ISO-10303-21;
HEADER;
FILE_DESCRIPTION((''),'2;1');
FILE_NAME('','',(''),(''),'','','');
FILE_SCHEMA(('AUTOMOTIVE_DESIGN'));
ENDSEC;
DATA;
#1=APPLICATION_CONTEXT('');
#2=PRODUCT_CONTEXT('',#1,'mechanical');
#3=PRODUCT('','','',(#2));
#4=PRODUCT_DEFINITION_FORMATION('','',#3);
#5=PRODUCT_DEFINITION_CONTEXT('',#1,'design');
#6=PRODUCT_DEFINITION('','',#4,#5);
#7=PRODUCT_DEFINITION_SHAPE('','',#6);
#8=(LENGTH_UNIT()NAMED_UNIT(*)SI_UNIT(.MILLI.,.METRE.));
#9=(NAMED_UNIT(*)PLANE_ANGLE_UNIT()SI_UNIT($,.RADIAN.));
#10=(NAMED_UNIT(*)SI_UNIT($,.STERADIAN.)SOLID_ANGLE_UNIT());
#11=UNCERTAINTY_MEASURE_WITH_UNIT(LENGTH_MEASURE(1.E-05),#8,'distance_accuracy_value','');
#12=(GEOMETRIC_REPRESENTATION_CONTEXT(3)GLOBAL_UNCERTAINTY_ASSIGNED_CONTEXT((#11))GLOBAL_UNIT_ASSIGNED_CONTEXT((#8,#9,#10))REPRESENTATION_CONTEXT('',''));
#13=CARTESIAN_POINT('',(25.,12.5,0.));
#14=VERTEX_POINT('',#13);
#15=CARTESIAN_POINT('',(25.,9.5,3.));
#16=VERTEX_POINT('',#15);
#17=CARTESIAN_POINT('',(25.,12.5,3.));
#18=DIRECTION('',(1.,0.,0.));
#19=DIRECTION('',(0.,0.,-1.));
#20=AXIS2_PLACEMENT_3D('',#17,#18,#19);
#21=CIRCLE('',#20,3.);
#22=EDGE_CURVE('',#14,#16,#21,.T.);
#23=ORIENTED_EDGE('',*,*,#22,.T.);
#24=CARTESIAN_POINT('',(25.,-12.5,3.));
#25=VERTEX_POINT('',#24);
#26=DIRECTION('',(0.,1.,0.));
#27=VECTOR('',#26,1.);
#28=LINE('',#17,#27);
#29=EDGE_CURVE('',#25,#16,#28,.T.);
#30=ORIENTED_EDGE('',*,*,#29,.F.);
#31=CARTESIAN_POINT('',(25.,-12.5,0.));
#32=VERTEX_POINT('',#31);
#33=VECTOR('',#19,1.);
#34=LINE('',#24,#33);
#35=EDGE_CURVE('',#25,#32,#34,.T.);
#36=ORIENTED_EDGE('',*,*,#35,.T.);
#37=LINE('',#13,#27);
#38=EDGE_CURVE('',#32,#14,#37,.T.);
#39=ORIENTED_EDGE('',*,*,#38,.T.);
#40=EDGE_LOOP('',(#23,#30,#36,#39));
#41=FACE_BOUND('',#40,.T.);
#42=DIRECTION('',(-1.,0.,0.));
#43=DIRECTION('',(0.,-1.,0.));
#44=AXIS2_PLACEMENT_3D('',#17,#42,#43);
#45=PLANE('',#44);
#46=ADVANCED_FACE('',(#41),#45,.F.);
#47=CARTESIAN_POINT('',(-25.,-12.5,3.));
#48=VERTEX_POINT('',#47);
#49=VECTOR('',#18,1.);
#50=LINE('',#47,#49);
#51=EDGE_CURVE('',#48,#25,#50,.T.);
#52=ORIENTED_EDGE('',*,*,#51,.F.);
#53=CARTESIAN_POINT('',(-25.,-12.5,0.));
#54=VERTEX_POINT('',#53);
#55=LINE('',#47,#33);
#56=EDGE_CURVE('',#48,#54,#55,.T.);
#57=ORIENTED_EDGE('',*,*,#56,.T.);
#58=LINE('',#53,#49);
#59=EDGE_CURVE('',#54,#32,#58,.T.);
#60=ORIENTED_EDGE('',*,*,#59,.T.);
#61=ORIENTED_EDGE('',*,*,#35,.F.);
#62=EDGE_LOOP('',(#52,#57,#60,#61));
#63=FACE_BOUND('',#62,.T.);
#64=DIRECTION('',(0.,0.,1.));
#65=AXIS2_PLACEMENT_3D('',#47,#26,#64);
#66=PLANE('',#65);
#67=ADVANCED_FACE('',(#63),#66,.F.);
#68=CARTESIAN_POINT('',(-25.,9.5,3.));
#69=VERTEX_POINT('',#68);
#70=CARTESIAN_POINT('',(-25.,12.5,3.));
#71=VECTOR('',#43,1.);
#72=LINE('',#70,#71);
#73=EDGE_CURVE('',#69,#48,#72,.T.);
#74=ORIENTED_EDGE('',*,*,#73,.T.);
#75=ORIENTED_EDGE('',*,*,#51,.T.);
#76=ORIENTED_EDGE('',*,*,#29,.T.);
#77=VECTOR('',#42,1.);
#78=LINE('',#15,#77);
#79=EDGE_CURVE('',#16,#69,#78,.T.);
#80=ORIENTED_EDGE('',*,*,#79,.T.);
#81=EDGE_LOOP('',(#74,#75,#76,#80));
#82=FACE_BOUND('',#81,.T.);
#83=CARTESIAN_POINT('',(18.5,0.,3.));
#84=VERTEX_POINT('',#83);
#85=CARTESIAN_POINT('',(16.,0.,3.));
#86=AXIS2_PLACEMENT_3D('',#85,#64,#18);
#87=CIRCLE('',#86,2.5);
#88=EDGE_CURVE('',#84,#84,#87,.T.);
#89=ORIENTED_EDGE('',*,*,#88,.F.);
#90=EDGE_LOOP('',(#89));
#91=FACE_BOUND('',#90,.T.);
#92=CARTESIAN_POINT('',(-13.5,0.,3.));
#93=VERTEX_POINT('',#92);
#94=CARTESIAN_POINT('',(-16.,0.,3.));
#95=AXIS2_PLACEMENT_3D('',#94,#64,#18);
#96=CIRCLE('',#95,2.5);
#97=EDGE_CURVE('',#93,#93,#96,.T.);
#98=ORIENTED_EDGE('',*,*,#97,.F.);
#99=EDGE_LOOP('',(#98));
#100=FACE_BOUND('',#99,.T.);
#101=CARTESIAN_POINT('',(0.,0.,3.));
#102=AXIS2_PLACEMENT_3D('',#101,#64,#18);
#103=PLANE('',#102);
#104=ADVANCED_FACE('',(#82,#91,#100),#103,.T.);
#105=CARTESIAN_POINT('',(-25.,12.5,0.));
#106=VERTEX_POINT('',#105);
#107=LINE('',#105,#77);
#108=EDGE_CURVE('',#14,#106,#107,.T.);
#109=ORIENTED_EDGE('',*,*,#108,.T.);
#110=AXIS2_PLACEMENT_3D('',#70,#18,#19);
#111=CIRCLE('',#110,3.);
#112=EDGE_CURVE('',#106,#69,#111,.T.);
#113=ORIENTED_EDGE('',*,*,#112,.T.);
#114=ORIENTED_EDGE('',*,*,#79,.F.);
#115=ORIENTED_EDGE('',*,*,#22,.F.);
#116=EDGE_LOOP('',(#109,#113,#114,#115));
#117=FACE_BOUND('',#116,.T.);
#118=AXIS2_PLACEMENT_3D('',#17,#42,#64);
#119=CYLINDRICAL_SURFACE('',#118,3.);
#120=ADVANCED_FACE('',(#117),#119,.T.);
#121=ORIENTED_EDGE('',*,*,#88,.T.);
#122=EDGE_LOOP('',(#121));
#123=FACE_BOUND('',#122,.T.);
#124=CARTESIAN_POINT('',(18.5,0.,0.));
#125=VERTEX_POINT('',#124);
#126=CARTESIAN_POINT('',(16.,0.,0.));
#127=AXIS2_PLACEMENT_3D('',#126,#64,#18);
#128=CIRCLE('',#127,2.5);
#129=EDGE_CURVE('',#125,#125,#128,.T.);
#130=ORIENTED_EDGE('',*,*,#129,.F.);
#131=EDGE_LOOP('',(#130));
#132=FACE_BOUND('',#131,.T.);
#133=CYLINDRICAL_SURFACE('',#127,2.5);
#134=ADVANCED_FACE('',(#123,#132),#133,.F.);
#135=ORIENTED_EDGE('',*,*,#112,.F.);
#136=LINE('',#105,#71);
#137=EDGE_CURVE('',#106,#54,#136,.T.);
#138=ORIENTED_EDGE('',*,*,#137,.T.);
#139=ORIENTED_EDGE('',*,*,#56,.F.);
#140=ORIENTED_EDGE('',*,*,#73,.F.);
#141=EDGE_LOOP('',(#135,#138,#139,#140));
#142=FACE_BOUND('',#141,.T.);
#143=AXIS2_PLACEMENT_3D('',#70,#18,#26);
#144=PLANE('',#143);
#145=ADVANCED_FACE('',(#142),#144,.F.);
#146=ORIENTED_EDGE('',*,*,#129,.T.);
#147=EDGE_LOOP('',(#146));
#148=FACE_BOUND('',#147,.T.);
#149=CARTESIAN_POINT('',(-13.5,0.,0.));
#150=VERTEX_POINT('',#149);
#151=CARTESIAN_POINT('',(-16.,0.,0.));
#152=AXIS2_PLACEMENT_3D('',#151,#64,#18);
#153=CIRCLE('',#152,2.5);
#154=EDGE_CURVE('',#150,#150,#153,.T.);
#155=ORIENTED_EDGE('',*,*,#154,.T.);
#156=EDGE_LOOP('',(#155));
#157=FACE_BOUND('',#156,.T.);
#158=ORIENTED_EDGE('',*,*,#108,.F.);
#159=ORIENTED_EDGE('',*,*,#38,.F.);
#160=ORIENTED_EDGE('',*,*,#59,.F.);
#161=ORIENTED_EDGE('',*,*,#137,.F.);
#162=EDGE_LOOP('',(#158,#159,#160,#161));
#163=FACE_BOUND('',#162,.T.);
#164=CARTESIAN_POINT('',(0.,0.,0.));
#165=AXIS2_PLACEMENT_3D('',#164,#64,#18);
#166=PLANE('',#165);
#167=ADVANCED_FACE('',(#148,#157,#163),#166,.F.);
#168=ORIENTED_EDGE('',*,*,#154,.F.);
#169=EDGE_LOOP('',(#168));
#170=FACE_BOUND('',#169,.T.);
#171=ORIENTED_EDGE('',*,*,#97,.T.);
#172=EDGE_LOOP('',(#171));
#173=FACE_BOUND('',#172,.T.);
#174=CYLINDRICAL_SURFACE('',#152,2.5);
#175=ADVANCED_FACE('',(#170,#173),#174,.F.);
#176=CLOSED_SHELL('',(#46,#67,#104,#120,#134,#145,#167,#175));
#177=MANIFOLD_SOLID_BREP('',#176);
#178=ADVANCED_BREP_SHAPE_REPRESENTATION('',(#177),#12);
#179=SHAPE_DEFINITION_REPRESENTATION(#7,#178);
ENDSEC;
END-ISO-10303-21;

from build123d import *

# Parameters (mm, degrees)
ESQUISSE1_W             = 50
ESQUISSE1_H             = 25
BOSS_EXTRU_1_DEPTH      = 3
ESQUISSE2_R             = 3
BOSS_EXTRU_2_DEPTH      = 25
ESQUISSE3_R             = 2.5
ENL_V_MAT_EXTRU_1_DEPTH = 30.567718884


with BuildPart() as part:
    # Esquisse1 → Boss.-Extru.1 (new body)
    with BuildSketch(Plane.XY):
        Rectangle(ESQUISSE1_W, ESQUISSE1_H)
    extrude(amount=BOSS_EXTRU_1_DEPTH)

    # Esquisse2 → Boss.-Extru.2 (add, symmetric)
    with BuildSketch(Plane(origin=(0, 0, 0), x_dir=(0, 0, -1), z_dir=(1, 0, 0))):
        with Locations((-3, 12.5)):
            Circle(ESQUISSE2_R)
    extrude(amount=BOSS_EXTRU_2_DEPTH, both=True)

    # Esquisse3 → Enlèv. mat.-Extru.1 (cut, through all)
    with BuildSketch(Plane.XY.offset(3)):
        with Locations((-16, 0)):
            Circle(ESQUISSE3_R)
        with Locations((16, 0)):
            Circle(ESQUISSE3_R)
    extrude(amount=-ENL_V_MAT_EXTRU_1_DEPTH, mode=Mode.SUBTRACT)


solid = part.part
